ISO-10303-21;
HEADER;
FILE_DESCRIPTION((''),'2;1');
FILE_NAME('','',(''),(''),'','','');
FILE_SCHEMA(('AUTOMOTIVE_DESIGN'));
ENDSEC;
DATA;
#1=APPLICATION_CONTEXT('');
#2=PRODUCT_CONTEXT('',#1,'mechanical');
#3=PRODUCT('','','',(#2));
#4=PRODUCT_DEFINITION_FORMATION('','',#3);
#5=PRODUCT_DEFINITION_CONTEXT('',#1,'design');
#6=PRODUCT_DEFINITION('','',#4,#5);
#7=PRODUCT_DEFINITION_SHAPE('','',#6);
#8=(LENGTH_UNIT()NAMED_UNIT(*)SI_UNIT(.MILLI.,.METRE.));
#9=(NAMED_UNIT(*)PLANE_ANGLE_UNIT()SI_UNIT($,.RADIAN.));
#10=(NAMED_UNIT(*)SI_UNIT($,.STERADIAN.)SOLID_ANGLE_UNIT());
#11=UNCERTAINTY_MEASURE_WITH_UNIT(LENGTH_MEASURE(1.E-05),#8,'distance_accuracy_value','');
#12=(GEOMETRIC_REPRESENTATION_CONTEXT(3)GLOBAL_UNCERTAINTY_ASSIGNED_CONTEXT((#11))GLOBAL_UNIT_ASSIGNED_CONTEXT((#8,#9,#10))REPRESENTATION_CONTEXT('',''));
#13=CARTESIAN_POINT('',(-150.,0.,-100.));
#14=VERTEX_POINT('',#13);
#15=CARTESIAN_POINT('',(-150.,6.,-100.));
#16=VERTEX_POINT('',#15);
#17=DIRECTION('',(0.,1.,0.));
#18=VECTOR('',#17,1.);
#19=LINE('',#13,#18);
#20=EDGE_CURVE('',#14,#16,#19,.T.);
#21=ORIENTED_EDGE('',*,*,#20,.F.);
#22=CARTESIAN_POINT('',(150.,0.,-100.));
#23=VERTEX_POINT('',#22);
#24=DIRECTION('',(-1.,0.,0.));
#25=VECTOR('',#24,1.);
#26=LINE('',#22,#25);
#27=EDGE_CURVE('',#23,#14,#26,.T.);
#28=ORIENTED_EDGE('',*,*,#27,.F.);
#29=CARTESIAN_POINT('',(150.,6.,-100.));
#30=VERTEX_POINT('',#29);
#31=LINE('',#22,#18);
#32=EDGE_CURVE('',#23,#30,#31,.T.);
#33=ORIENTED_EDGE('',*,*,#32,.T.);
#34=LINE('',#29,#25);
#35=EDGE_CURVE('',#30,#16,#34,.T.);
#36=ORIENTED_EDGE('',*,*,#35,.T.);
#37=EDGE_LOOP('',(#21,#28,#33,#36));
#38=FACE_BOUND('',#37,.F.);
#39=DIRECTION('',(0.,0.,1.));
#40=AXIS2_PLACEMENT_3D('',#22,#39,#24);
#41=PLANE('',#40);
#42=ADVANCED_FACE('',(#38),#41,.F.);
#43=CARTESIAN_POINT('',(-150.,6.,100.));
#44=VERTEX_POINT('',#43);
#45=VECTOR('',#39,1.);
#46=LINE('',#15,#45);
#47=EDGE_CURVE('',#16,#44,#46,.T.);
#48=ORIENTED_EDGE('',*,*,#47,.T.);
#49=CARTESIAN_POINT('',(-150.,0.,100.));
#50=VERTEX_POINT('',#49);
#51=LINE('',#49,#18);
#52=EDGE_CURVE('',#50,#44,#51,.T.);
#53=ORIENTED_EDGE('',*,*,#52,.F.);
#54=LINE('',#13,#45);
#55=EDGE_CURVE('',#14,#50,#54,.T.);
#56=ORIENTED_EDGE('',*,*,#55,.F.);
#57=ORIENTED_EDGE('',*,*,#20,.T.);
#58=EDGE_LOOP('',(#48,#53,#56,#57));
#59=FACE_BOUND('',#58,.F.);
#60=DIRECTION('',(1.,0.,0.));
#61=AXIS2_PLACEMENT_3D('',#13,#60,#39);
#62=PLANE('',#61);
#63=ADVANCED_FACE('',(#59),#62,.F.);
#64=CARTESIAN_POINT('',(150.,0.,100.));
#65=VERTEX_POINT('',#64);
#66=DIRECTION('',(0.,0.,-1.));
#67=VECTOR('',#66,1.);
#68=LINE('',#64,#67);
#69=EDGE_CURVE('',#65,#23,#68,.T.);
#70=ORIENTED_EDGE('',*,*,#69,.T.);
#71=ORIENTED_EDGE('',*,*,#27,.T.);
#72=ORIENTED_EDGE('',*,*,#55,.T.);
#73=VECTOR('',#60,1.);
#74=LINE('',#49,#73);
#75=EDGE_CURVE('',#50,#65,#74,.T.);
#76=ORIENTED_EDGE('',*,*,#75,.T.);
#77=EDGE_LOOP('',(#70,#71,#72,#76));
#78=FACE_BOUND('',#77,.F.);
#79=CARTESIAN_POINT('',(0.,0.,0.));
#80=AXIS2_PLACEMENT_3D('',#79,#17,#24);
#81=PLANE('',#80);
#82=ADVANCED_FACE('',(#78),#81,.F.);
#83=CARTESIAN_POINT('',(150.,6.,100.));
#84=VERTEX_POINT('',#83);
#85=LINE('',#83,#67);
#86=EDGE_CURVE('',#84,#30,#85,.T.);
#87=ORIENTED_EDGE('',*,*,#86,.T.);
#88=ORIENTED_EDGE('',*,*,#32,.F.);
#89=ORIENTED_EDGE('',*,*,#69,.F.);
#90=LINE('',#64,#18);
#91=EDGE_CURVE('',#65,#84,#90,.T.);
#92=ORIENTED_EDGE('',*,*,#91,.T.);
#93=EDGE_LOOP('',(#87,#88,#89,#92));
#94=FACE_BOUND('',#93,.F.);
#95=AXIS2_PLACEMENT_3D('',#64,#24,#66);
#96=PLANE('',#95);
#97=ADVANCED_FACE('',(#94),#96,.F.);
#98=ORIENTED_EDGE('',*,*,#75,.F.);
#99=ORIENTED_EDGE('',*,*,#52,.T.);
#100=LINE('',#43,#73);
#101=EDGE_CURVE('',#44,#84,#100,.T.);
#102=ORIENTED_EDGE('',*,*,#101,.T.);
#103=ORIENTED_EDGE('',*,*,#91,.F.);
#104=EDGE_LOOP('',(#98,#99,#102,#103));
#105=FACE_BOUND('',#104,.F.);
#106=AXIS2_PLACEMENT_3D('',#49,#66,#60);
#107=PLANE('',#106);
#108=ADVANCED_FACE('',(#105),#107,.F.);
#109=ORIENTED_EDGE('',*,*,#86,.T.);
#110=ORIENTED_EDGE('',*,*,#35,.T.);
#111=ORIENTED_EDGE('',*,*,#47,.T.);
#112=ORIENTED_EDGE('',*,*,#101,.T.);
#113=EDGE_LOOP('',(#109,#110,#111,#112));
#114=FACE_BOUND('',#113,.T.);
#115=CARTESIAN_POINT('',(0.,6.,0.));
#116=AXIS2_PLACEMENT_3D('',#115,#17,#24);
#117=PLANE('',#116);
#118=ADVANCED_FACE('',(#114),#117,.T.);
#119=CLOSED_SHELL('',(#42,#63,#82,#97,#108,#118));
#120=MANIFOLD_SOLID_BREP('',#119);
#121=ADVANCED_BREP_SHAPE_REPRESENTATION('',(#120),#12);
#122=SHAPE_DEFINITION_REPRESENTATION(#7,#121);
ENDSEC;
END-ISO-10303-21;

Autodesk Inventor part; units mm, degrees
ref_plane "YZ Plane" through (0, 0, 0) normal (1, 0, 0) x (0, 1, 0)
ref_plane "XZ Plane" through (0, 0, 0) normal (0, 1, 0) x (-1, 0, 0)
ref_plane "XY Plane" through (0, 0, 0) normal (0, 0, 1) x (1, 0, 0)
sketch "Sketch1" plane through (0, 0, 0) normal (0, 1, 0) x (-1, 0, 0)
  line L0 (-150, -100) -> (150, -100)
  line L1 (150, -100) -> (150, 100)
  line L2 (150, 100) -> (-150, 100)
  line L3 (-150, 100) -> (-150, -100)
  line L4 (-150, -100) -> (150, 100) construction
  line L5 (150, -100) -> (-150, 100) construction
  point P0 (0, 0)
  dimension "d2" = 200
  dimension "d3" = 300
extrude "Extrusion1" add sketch "Sketch1" along normal blind 6
equation "\"RodDiameter\" = 8"
equation "\"VerticalBearingOD\" = 16"
equation "\"PrintingClearance\" = 0.2"
equation "\"TubeID\" = 18"
properties part number "BackPlate"
